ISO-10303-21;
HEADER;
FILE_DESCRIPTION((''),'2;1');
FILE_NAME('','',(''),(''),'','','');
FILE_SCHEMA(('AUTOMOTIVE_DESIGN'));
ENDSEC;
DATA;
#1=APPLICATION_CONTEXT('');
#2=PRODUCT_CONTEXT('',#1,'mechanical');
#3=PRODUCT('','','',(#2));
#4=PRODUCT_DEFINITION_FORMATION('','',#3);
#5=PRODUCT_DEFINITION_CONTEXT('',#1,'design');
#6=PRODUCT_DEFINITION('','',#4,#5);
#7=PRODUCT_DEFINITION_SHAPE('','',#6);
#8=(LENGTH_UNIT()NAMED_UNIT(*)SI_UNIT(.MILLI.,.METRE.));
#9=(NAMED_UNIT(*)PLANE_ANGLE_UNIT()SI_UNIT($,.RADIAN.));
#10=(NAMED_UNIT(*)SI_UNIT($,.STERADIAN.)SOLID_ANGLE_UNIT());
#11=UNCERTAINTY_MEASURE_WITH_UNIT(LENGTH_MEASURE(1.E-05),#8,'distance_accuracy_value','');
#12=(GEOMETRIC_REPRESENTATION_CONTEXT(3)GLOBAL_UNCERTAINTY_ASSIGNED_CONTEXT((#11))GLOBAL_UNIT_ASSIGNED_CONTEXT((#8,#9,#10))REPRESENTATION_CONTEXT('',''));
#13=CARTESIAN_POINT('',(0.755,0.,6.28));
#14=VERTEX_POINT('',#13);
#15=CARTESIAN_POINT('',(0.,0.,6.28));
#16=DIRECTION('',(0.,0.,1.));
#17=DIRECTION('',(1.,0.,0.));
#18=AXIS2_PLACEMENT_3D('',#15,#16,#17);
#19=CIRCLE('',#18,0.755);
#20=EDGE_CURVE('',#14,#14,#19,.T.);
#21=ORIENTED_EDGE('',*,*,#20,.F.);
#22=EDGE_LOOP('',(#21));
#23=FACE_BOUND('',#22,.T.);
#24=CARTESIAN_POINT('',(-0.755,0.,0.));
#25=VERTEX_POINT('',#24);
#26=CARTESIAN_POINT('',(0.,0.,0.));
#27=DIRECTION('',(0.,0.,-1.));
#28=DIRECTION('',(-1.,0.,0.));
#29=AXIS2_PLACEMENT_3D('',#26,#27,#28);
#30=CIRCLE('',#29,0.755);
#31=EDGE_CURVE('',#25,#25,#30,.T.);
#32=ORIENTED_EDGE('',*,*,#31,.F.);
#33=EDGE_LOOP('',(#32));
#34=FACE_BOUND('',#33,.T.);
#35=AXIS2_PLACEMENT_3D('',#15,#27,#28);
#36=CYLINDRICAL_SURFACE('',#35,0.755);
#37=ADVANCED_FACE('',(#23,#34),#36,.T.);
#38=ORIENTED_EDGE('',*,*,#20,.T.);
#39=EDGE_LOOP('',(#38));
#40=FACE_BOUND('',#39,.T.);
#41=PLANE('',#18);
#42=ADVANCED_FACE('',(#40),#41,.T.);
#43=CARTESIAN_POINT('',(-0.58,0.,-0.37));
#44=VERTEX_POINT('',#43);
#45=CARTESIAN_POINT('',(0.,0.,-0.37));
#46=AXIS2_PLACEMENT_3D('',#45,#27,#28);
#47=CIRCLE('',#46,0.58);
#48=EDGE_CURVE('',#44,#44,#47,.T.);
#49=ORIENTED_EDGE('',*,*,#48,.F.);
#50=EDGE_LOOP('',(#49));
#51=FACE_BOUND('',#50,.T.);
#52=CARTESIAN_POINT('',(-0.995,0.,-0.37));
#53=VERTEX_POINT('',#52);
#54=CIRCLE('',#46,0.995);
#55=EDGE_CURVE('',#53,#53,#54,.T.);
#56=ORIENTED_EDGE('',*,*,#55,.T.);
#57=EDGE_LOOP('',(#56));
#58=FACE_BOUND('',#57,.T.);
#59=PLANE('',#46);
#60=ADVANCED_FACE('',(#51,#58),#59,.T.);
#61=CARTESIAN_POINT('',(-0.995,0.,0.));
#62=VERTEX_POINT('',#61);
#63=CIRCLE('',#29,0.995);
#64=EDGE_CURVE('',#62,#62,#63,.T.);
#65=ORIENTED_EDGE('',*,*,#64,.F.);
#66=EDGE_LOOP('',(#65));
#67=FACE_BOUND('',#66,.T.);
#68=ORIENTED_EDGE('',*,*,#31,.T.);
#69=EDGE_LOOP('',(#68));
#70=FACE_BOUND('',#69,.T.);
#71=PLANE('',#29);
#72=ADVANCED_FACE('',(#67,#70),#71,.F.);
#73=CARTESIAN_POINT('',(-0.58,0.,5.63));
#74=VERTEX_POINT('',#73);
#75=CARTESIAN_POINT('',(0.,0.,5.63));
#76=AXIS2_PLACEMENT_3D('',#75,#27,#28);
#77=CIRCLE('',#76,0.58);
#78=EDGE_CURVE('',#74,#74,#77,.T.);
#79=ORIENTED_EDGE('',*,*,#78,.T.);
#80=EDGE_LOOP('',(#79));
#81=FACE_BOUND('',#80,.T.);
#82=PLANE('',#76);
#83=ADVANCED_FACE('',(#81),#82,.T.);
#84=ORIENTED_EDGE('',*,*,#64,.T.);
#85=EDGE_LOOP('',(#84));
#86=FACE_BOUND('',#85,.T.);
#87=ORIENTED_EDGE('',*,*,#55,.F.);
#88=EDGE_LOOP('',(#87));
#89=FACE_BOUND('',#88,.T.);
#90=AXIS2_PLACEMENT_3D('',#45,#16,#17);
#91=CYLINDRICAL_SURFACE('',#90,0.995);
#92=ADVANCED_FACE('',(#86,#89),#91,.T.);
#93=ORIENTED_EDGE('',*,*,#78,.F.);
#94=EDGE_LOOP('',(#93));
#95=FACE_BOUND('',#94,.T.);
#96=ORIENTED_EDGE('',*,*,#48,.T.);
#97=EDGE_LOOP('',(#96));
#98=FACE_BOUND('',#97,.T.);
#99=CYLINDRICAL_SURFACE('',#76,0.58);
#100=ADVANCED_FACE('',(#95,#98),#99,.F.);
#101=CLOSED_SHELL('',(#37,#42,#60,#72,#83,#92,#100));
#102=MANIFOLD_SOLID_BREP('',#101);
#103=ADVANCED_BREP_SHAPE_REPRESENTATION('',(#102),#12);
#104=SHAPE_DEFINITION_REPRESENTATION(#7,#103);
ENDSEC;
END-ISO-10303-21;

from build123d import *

# Parameters (mm, degrees)
SKETCH1_R           = 0.755
BOSS_EXTRUDE1_DEPTH = 6.28
SKETCH2_R           = 0.995
BOSS_EXTRUDE2_DEPTH = 0.37
SKETCH3_R           = 0.58
CUT_EXTRUDE1_DEPTH  = 6


with BuildPart() as part:
    # Sketch1 → Boss-Extrude1 (new body)
    with BuildSketch(Plane.XY):
        Circle(SKETCH1_R)
    extrude(amount=BOSS_EXTRUDE1_DEPTH)

    # Sketch2 → Boss-Extrude2 (add)
    with BuildSketch(Plane(origin=(0, 0, 0), x_dir=(-1, 0, 0), z_dir=(0, 0, -1))):
        Circle(SKETCH2_R)
    extrude(amount=BOSS_EXTRUDE2_DEPTH)

    # Sketch3 → Cut-Extrude1 (cut)
    with BuildSketch(Plane(origin=(0, 0, -0.37), x_dir=(-1, 0, 0), z_dir=(0, 0, -1))):
        Circle(SKETCH3_R)
    extrude(amount=-CUT_EXTRUDE1_DEPTH, mode=Mode.SUBTRACT)


solid = part.part
